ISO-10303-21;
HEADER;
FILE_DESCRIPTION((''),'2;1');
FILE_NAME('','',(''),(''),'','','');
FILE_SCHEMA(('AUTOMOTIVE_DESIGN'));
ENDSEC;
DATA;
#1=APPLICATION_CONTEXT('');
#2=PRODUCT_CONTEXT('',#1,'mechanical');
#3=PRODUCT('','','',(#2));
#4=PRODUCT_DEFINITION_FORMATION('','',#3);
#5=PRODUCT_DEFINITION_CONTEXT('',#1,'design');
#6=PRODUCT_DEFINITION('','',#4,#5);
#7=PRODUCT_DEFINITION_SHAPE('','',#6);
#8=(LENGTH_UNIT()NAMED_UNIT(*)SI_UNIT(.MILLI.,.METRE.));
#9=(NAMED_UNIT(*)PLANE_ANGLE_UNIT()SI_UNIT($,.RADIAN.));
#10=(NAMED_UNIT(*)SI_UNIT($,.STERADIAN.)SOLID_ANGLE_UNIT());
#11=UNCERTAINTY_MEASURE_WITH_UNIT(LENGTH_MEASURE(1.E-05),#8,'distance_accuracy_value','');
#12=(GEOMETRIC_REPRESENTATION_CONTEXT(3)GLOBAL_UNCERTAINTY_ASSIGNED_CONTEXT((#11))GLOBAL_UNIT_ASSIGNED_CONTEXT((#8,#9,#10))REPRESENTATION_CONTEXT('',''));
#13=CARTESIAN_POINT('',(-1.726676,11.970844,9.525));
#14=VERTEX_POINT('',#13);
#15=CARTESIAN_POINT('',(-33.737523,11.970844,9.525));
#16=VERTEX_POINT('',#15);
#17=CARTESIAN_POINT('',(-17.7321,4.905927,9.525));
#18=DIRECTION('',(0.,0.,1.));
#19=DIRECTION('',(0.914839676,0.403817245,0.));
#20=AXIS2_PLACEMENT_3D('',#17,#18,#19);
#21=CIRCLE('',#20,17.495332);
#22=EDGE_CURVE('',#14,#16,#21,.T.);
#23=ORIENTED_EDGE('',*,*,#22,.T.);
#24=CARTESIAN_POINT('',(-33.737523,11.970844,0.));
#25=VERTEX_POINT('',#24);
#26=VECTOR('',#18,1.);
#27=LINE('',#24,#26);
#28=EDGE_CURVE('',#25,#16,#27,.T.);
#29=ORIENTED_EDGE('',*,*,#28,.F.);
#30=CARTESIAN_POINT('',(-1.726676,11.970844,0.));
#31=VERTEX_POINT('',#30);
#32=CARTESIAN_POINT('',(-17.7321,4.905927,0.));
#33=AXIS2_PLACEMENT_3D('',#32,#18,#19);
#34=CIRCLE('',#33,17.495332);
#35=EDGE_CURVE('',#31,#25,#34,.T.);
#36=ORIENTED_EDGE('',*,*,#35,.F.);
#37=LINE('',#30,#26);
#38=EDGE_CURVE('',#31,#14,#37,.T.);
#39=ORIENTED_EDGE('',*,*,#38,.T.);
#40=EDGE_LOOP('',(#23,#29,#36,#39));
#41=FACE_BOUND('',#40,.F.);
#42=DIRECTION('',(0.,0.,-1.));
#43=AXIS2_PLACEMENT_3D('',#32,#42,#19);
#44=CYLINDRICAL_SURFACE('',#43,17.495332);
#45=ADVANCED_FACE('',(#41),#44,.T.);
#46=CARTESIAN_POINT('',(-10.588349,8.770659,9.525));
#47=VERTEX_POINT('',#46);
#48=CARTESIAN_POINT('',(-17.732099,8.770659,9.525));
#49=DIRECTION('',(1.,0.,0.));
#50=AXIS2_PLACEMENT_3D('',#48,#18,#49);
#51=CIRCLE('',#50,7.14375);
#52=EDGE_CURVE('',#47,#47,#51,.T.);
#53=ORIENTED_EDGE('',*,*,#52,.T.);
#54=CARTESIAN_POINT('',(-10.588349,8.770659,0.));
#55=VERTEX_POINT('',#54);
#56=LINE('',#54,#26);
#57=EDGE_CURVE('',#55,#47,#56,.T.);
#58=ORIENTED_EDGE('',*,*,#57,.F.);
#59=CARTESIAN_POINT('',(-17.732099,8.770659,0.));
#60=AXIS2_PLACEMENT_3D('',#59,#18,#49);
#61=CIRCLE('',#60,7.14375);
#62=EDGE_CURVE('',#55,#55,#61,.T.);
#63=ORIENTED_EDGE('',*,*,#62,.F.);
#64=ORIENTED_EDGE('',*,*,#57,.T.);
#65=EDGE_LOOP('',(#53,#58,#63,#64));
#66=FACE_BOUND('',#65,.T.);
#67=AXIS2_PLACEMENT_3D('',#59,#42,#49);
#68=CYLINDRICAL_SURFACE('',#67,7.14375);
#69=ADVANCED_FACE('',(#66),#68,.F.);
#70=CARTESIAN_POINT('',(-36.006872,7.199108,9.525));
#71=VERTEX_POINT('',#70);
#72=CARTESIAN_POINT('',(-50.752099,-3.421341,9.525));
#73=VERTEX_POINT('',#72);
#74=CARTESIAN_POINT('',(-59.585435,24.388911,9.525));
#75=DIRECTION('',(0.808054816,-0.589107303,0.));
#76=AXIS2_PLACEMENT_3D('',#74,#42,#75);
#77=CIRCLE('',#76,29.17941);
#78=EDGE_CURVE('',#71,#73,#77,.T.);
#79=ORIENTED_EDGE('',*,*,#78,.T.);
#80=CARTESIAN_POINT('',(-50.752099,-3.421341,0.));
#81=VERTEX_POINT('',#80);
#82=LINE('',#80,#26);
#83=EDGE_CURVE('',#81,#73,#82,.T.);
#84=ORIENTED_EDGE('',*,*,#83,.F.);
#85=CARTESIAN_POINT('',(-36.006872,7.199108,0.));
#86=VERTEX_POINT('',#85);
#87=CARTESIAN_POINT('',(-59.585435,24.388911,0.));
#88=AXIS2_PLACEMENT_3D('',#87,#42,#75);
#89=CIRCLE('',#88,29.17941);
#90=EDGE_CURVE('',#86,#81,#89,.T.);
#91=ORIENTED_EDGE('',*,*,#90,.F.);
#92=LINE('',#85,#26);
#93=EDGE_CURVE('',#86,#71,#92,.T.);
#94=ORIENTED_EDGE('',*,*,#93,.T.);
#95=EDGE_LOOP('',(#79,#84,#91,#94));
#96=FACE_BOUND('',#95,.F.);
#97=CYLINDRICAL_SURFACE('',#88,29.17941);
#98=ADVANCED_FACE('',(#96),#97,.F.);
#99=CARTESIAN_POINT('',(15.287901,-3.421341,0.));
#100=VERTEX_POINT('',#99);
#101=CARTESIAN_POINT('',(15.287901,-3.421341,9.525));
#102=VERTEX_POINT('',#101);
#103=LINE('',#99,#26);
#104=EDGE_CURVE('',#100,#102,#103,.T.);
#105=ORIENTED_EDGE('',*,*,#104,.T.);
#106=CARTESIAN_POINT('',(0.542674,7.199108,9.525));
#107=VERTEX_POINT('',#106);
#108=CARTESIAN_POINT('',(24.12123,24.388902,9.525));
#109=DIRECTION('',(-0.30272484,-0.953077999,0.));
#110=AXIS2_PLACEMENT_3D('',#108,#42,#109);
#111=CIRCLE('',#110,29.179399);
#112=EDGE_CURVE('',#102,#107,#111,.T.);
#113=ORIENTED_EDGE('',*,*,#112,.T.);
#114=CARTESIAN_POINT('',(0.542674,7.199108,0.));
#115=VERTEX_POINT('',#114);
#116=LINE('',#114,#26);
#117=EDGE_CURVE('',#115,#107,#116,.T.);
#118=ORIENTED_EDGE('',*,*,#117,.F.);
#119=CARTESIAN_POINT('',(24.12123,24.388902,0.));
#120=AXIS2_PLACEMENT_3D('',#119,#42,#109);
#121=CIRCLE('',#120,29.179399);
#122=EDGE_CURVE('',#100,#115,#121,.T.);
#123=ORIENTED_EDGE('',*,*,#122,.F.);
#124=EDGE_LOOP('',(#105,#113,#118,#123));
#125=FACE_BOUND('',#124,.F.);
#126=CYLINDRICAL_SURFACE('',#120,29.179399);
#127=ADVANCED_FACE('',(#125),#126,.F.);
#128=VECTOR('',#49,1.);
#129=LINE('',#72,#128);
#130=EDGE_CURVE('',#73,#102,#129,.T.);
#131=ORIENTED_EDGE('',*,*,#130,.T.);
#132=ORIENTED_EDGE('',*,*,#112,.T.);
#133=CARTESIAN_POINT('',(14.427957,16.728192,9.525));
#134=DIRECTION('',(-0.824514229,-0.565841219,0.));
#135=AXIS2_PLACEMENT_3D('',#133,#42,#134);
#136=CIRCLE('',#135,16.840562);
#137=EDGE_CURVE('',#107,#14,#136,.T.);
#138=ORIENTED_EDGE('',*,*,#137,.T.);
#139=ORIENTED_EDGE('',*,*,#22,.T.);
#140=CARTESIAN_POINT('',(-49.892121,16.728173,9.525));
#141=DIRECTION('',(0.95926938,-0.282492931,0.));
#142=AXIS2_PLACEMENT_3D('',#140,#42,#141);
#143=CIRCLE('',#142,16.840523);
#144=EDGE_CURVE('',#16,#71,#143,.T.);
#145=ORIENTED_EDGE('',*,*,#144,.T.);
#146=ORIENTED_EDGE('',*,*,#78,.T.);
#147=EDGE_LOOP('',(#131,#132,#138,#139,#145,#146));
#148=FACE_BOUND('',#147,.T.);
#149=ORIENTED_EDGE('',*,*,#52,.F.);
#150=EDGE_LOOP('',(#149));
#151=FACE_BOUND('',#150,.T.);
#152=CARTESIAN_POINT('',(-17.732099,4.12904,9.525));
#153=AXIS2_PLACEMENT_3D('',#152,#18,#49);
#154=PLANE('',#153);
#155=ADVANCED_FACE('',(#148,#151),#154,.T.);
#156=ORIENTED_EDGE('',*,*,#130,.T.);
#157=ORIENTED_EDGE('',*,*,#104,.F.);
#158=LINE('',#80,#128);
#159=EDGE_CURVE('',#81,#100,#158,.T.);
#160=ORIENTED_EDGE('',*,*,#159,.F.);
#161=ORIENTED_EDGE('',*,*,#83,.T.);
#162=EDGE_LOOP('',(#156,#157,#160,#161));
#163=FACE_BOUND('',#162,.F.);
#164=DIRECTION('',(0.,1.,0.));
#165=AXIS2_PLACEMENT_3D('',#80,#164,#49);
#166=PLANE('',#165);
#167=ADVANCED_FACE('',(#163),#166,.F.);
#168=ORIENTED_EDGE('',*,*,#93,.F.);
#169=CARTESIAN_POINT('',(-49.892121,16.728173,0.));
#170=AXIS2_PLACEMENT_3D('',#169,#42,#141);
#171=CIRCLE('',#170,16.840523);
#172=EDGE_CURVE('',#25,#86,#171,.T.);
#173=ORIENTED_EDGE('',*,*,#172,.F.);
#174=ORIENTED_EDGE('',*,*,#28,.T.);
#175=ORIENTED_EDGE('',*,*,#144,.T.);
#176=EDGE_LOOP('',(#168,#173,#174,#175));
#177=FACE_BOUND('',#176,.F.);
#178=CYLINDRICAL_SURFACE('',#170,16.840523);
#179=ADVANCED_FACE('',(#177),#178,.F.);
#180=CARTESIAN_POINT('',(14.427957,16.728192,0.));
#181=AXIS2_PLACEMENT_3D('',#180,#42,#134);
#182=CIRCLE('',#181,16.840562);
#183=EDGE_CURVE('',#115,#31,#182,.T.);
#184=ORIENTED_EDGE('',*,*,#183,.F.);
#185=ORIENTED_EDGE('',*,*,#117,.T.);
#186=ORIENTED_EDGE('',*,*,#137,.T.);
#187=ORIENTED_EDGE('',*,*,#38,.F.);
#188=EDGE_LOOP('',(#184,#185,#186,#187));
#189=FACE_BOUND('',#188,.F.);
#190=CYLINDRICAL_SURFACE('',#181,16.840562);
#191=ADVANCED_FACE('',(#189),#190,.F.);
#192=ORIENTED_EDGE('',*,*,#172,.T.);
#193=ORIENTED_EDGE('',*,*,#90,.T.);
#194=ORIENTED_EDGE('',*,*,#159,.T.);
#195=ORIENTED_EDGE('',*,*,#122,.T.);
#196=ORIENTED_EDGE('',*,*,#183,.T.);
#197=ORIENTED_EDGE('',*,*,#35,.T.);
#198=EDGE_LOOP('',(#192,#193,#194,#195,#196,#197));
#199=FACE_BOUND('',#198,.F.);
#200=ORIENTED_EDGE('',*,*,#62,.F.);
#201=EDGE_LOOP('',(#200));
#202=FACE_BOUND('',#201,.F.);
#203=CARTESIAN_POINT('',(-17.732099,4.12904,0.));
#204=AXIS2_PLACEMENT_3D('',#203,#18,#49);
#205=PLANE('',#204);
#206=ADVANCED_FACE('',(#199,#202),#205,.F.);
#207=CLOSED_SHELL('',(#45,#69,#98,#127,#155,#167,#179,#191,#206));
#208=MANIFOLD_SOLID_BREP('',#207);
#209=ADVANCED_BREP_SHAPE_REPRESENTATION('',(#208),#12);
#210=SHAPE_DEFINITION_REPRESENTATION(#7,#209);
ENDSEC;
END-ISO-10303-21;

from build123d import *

# Parameters (mm, degrees)
F0_R     = 7.14375
F1_DEPTH = 9.525


with BuildPart() as f1:
    # F0 (on Top) → F1 (new body)
    with BuildSketch(Plane.XY):
        with BuildLine():
            Line((-38.052099, -3.421341), (2.587901, -3.421341))
            Line((2.587901, -3.421341), (7.667901, -3.421341))
            Line((7.667901, -3.421341), (15.287901, -3.421341))
            ThreePointArc((15.287901, -3.421341), (7.06746, 0.711777), (0.542674, 7.199108))
            ThreePointArc((0.542674, 7.199108), (-0.780314, 9.495418), (-1.726676, 11.970844))
            ThreePointArc((-1.726676, 11.970844), (-17.732099, 22.401259), (-33.737523, 11.970844))
            ThreePointArc((-33.737523, 11.970844), (-34.683884, 9.495418), (-36.006872, 7.199108))
            ThreePointArc((-36.006872, 7.199108), (-42.531659, 0.711777), (-50.752099, -3.421341))
            Line((-50.752099, -3.421341), (-43.132099, -3.421341))
            Line((-43.132099, -3.421341), (-38.052099, -3.421341))
        make_face()
        with Locations((-17.732099, 8.770659)):
            Circle(F0_R, mode=Mode.SUBTRACT)
    extrude(amount=F1_DEPTH)


solid = f1.part
